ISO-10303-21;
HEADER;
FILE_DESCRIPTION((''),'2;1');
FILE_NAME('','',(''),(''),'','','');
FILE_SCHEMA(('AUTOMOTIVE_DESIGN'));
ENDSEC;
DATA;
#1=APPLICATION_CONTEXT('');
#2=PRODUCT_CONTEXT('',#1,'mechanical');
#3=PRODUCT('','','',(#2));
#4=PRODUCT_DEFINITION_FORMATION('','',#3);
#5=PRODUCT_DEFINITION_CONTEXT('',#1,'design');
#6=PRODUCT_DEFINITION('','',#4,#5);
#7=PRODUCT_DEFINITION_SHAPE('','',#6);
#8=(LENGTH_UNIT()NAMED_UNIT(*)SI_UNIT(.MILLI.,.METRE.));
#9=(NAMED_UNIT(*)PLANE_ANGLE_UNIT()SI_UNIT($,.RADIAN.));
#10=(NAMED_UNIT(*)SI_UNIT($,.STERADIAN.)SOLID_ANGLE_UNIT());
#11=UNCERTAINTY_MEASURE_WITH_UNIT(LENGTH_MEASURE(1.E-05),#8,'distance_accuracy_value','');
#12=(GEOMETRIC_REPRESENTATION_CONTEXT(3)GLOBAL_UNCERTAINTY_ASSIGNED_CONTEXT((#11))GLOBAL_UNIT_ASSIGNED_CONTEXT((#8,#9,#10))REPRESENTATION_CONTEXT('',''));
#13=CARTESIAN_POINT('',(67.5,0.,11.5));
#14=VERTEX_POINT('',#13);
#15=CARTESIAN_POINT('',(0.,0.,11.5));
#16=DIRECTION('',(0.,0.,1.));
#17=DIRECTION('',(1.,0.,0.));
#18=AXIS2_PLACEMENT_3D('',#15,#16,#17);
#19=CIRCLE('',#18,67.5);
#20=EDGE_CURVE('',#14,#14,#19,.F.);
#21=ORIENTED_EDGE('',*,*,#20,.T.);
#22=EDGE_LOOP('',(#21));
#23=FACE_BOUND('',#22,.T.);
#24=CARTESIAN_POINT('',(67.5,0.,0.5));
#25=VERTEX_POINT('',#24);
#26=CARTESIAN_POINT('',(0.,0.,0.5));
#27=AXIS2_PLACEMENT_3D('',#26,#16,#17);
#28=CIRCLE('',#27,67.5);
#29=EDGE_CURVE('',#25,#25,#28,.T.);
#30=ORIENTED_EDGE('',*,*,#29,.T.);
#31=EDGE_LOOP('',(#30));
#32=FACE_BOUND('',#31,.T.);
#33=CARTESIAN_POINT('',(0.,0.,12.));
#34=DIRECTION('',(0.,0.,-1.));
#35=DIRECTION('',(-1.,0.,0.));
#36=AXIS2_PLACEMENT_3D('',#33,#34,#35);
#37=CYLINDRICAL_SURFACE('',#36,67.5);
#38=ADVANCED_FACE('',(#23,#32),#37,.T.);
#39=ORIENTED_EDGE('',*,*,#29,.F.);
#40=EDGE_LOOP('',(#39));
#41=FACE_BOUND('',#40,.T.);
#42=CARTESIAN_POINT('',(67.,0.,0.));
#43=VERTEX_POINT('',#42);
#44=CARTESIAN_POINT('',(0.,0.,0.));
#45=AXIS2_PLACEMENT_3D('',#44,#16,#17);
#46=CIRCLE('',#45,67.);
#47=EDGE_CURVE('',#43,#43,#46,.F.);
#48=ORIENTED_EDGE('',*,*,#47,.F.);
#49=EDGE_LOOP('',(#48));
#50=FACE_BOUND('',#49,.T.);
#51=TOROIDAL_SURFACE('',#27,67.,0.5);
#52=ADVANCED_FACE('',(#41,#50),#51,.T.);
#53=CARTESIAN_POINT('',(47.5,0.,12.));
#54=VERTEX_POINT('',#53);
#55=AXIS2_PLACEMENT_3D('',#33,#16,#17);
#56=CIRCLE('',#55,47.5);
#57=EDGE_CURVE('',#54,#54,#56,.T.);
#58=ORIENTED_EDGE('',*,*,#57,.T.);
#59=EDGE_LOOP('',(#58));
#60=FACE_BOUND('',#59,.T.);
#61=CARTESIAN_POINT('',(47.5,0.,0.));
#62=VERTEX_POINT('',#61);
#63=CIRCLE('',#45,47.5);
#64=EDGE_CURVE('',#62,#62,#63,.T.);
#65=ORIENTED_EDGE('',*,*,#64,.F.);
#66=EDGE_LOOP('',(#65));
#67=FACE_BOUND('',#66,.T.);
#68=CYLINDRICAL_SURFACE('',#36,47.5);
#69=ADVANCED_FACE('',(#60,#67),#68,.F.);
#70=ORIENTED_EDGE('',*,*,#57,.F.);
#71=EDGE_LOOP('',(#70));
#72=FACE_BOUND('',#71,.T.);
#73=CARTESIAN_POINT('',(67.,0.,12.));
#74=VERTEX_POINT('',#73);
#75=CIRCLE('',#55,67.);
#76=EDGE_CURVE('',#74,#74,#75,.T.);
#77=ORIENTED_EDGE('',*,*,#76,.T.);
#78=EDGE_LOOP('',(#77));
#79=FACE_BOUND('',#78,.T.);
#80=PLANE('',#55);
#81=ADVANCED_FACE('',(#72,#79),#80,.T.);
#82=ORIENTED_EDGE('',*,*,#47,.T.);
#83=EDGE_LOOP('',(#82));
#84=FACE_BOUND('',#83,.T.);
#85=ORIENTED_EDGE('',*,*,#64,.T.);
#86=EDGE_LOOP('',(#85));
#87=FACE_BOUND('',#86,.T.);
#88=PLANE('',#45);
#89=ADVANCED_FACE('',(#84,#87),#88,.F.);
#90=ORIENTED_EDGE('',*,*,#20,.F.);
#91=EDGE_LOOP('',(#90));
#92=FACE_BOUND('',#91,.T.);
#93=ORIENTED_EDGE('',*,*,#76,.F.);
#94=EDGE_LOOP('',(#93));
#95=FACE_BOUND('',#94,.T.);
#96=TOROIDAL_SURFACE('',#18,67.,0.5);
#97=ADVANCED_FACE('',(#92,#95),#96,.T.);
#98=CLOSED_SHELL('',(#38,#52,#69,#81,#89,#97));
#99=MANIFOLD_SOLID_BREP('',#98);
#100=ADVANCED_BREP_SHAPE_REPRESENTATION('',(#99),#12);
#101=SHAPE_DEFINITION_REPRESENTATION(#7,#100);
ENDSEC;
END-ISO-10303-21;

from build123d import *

# Parameters (mm, degrees)
ESQUISSE1_R        = 67.5
ESQUISSE1_R_2      = 47.5
BOSS_EXTRU_1_DEPTH = 12
CONG_1_R           = 0.5


with BuildPart() as part:
    # Esquisse1 → Boss.-Extru.1 (new body)
    with BuildSketch(Plane.XY):
        Circle(ESQUISSE1_R)
        Circle(ESQUISSE1_R_2, mode=Mode.SUBTRACT)
    extrude(amount=BOSS_EXTRU_1_DEPTH)

    # Congé1
    cong_1_edges = [part.edges().sort_by_distance(p)[0] for p in [
        (-67.5, 0, 0),
        (-67.5, 0, 12),
    ]]
    fillet(cong_1_edges, radius=CONG_1_R)


solid = part.part
